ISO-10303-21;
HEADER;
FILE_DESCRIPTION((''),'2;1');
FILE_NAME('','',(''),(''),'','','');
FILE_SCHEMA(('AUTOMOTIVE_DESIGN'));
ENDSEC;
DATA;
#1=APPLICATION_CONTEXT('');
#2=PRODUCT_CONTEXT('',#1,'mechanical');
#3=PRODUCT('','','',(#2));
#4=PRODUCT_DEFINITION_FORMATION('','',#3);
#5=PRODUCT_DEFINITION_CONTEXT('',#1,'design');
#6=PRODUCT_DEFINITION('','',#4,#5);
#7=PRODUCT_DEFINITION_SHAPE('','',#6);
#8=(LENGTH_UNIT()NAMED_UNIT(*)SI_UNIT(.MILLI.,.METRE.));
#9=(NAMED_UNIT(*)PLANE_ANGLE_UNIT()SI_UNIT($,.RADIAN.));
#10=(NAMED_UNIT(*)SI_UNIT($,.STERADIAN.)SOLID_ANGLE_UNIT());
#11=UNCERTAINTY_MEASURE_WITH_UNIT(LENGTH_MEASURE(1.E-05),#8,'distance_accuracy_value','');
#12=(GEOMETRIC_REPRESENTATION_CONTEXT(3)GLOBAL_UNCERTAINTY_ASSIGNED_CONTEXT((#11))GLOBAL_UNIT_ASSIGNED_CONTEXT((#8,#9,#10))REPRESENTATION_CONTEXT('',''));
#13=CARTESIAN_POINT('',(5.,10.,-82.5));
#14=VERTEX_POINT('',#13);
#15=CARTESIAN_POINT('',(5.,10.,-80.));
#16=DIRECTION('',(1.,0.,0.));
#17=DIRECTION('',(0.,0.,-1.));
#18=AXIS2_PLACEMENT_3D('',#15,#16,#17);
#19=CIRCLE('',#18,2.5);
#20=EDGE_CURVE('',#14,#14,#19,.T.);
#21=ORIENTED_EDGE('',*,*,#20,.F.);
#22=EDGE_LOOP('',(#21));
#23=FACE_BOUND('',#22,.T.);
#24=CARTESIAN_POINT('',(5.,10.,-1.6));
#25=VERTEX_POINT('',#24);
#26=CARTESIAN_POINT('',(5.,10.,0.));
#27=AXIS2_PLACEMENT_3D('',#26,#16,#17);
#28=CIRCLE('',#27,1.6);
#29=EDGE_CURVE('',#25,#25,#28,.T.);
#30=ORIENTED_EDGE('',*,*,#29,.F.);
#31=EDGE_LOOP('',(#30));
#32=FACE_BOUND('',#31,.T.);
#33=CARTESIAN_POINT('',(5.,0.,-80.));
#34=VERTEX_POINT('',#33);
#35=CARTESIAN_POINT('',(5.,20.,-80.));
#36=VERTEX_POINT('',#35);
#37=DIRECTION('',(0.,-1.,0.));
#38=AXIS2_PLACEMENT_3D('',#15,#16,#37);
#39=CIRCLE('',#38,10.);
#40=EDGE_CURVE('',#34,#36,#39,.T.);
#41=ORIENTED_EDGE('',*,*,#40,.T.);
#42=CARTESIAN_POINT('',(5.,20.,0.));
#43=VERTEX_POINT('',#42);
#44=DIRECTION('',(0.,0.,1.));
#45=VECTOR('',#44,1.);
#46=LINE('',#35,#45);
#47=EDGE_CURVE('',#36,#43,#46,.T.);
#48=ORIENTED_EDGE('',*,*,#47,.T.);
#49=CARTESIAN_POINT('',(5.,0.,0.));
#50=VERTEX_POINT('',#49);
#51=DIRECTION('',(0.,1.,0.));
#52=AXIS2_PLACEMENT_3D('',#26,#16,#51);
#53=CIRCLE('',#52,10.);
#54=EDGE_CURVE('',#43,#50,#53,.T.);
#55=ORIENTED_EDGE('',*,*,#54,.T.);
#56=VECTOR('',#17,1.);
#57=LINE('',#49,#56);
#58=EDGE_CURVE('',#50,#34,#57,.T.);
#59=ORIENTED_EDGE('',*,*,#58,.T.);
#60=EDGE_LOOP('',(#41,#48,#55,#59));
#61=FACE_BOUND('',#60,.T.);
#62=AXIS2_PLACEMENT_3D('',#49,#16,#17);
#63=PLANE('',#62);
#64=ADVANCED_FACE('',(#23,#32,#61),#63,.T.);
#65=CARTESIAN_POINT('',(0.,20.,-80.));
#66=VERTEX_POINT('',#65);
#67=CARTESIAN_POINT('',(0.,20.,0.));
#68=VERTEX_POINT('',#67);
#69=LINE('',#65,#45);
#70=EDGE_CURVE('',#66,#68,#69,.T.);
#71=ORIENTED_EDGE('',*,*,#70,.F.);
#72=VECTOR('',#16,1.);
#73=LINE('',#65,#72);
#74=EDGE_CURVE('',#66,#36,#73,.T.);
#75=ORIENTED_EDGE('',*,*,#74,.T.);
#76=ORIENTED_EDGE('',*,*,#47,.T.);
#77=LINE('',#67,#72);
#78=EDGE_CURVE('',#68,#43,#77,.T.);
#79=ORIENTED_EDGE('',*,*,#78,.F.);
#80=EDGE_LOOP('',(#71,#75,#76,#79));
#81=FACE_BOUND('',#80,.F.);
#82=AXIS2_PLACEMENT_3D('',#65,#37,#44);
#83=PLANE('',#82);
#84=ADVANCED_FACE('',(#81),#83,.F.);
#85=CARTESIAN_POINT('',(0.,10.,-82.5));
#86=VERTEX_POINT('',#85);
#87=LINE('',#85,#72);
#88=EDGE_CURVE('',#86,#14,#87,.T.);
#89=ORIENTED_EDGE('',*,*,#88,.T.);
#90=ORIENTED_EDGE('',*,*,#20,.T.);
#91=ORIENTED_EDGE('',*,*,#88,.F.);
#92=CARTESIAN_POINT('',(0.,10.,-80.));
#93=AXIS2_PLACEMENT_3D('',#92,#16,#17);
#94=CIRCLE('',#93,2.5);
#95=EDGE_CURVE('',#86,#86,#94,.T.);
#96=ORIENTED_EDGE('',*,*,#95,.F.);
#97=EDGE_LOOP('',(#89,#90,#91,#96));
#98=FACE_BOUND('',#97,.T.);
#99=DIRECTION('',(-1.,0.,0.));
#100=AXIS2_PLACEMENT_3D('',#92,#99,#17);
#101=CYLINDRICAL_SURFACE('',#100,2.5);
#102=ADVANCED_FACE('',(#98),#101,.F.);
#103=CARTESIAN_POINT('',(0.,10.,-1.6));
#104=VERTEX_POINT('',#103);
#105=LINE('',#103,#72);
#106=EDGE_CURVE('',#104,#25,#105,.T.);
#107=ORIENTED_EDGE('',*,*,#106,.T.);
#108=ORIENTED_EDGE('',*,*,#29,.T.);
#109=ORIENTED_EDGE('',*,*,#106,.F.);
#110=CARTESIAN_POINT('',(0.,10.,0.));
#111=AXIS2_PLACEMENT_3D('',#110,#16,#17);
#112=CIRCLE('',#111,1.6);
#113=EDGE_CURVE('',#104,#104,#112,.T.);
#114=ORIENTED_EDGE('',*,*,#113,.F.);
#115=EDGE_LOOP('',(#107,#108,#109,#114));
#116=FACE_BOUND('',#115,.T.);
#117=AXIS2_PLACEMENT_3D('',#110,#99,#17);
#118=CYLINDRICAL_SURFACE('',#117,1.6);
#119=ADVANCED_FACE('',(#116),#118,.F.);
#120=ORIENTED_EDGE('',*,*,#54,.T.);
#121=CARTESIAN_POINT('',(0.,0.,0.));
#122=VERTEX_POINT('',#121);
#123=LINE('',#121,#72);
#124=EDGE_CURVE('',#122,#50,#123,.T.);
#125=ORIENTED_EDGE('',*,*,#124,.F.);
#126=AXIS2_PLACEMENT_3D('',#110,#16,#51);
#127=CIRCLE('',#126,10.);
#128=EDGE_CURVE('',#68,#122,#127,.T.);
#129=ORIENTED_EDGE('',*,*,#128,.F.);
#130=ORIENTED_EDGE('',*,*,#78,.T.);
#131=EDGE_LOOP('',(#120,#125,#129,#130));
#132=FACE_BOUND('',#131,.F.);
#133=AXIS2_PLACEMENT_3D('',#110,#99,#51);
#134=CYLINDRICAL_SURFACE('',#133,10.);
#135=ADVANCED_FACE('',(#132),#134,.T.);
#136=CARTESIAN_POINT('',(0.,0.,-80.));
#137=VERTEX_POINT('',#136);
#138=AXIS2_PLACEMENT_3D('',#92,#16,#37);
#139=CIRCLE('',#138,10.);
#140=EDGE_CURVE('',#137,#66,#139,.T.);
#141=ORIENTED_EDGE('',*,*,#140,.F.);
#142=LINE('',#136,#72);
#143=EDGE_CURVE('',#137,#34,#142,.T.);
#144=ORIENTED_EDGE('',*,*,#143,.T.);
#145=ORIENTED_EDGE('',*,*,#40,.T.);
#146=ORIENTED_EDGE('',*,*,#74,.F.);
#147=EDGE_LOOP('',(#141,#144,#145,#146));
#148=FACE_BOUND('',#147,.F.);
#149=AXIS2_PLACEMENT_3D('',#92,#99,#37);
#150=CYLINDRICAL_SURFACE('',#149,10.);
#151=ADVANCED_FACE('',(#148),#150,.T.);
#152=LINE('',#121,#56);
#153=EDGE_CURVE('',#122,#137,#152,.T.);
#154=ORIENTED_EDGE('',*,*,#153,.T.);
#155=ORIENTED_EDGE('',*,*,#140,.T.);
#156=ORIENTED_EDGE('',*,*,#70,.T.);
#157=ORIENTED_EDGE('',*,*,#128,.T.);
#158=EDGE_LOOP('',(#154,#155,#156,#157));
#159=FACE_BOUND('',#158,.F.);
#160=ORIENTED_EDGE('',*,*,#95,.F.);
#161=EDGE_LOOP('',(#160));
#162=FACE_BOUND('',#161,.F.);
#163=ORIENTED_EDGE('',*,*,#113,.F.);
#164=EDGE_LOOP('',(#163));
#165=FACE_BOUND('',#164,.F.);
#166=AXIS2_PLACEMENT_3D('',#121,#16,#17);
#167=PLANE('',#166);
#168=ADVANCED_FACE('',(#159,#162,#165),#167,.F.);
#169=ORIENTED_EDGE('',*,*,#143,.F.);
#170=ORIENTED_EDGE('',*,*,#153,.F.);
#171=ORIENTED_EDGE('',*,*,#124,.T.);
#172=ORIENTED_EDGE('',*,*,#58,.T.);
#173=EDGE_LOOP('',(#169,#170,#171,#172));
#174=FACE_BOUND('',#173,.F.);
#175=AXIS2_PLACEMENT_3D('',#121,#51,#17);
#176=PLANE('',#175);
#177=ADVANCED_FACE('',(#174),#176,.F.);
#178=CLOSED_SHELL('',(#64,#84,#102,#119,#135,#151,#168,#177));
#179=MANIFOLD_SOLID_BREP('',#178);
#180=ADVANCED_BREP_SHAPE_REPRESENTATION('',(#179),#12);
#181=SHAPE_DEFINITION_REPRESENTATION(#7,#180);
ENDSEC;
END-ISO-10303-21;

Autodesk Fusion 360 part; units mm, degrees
sketch "草图1" plane through (0, 0, 0) normal (1, 0, 0) x (0, 0, -1)
  line L0 (0, 0) -> (80, 0)
  line L1 (80, 20) -> (0, 20)
  arc A0 (0, 20) -> (0, 0) centre (0, 10) ccw
  arc A1 (80, 0) -> (80, 20) centre (80, 10) ccw
  circle A2 centre (0, 10) radius 1.6
  circle A3 centre (80, 10) radius 2.5
  dimension "d1" = 80
  dimension "d2" = 3.2
  dimension "d3" = 5
extrude "拉伸1" add sketch "草图1" along normal blind 5
